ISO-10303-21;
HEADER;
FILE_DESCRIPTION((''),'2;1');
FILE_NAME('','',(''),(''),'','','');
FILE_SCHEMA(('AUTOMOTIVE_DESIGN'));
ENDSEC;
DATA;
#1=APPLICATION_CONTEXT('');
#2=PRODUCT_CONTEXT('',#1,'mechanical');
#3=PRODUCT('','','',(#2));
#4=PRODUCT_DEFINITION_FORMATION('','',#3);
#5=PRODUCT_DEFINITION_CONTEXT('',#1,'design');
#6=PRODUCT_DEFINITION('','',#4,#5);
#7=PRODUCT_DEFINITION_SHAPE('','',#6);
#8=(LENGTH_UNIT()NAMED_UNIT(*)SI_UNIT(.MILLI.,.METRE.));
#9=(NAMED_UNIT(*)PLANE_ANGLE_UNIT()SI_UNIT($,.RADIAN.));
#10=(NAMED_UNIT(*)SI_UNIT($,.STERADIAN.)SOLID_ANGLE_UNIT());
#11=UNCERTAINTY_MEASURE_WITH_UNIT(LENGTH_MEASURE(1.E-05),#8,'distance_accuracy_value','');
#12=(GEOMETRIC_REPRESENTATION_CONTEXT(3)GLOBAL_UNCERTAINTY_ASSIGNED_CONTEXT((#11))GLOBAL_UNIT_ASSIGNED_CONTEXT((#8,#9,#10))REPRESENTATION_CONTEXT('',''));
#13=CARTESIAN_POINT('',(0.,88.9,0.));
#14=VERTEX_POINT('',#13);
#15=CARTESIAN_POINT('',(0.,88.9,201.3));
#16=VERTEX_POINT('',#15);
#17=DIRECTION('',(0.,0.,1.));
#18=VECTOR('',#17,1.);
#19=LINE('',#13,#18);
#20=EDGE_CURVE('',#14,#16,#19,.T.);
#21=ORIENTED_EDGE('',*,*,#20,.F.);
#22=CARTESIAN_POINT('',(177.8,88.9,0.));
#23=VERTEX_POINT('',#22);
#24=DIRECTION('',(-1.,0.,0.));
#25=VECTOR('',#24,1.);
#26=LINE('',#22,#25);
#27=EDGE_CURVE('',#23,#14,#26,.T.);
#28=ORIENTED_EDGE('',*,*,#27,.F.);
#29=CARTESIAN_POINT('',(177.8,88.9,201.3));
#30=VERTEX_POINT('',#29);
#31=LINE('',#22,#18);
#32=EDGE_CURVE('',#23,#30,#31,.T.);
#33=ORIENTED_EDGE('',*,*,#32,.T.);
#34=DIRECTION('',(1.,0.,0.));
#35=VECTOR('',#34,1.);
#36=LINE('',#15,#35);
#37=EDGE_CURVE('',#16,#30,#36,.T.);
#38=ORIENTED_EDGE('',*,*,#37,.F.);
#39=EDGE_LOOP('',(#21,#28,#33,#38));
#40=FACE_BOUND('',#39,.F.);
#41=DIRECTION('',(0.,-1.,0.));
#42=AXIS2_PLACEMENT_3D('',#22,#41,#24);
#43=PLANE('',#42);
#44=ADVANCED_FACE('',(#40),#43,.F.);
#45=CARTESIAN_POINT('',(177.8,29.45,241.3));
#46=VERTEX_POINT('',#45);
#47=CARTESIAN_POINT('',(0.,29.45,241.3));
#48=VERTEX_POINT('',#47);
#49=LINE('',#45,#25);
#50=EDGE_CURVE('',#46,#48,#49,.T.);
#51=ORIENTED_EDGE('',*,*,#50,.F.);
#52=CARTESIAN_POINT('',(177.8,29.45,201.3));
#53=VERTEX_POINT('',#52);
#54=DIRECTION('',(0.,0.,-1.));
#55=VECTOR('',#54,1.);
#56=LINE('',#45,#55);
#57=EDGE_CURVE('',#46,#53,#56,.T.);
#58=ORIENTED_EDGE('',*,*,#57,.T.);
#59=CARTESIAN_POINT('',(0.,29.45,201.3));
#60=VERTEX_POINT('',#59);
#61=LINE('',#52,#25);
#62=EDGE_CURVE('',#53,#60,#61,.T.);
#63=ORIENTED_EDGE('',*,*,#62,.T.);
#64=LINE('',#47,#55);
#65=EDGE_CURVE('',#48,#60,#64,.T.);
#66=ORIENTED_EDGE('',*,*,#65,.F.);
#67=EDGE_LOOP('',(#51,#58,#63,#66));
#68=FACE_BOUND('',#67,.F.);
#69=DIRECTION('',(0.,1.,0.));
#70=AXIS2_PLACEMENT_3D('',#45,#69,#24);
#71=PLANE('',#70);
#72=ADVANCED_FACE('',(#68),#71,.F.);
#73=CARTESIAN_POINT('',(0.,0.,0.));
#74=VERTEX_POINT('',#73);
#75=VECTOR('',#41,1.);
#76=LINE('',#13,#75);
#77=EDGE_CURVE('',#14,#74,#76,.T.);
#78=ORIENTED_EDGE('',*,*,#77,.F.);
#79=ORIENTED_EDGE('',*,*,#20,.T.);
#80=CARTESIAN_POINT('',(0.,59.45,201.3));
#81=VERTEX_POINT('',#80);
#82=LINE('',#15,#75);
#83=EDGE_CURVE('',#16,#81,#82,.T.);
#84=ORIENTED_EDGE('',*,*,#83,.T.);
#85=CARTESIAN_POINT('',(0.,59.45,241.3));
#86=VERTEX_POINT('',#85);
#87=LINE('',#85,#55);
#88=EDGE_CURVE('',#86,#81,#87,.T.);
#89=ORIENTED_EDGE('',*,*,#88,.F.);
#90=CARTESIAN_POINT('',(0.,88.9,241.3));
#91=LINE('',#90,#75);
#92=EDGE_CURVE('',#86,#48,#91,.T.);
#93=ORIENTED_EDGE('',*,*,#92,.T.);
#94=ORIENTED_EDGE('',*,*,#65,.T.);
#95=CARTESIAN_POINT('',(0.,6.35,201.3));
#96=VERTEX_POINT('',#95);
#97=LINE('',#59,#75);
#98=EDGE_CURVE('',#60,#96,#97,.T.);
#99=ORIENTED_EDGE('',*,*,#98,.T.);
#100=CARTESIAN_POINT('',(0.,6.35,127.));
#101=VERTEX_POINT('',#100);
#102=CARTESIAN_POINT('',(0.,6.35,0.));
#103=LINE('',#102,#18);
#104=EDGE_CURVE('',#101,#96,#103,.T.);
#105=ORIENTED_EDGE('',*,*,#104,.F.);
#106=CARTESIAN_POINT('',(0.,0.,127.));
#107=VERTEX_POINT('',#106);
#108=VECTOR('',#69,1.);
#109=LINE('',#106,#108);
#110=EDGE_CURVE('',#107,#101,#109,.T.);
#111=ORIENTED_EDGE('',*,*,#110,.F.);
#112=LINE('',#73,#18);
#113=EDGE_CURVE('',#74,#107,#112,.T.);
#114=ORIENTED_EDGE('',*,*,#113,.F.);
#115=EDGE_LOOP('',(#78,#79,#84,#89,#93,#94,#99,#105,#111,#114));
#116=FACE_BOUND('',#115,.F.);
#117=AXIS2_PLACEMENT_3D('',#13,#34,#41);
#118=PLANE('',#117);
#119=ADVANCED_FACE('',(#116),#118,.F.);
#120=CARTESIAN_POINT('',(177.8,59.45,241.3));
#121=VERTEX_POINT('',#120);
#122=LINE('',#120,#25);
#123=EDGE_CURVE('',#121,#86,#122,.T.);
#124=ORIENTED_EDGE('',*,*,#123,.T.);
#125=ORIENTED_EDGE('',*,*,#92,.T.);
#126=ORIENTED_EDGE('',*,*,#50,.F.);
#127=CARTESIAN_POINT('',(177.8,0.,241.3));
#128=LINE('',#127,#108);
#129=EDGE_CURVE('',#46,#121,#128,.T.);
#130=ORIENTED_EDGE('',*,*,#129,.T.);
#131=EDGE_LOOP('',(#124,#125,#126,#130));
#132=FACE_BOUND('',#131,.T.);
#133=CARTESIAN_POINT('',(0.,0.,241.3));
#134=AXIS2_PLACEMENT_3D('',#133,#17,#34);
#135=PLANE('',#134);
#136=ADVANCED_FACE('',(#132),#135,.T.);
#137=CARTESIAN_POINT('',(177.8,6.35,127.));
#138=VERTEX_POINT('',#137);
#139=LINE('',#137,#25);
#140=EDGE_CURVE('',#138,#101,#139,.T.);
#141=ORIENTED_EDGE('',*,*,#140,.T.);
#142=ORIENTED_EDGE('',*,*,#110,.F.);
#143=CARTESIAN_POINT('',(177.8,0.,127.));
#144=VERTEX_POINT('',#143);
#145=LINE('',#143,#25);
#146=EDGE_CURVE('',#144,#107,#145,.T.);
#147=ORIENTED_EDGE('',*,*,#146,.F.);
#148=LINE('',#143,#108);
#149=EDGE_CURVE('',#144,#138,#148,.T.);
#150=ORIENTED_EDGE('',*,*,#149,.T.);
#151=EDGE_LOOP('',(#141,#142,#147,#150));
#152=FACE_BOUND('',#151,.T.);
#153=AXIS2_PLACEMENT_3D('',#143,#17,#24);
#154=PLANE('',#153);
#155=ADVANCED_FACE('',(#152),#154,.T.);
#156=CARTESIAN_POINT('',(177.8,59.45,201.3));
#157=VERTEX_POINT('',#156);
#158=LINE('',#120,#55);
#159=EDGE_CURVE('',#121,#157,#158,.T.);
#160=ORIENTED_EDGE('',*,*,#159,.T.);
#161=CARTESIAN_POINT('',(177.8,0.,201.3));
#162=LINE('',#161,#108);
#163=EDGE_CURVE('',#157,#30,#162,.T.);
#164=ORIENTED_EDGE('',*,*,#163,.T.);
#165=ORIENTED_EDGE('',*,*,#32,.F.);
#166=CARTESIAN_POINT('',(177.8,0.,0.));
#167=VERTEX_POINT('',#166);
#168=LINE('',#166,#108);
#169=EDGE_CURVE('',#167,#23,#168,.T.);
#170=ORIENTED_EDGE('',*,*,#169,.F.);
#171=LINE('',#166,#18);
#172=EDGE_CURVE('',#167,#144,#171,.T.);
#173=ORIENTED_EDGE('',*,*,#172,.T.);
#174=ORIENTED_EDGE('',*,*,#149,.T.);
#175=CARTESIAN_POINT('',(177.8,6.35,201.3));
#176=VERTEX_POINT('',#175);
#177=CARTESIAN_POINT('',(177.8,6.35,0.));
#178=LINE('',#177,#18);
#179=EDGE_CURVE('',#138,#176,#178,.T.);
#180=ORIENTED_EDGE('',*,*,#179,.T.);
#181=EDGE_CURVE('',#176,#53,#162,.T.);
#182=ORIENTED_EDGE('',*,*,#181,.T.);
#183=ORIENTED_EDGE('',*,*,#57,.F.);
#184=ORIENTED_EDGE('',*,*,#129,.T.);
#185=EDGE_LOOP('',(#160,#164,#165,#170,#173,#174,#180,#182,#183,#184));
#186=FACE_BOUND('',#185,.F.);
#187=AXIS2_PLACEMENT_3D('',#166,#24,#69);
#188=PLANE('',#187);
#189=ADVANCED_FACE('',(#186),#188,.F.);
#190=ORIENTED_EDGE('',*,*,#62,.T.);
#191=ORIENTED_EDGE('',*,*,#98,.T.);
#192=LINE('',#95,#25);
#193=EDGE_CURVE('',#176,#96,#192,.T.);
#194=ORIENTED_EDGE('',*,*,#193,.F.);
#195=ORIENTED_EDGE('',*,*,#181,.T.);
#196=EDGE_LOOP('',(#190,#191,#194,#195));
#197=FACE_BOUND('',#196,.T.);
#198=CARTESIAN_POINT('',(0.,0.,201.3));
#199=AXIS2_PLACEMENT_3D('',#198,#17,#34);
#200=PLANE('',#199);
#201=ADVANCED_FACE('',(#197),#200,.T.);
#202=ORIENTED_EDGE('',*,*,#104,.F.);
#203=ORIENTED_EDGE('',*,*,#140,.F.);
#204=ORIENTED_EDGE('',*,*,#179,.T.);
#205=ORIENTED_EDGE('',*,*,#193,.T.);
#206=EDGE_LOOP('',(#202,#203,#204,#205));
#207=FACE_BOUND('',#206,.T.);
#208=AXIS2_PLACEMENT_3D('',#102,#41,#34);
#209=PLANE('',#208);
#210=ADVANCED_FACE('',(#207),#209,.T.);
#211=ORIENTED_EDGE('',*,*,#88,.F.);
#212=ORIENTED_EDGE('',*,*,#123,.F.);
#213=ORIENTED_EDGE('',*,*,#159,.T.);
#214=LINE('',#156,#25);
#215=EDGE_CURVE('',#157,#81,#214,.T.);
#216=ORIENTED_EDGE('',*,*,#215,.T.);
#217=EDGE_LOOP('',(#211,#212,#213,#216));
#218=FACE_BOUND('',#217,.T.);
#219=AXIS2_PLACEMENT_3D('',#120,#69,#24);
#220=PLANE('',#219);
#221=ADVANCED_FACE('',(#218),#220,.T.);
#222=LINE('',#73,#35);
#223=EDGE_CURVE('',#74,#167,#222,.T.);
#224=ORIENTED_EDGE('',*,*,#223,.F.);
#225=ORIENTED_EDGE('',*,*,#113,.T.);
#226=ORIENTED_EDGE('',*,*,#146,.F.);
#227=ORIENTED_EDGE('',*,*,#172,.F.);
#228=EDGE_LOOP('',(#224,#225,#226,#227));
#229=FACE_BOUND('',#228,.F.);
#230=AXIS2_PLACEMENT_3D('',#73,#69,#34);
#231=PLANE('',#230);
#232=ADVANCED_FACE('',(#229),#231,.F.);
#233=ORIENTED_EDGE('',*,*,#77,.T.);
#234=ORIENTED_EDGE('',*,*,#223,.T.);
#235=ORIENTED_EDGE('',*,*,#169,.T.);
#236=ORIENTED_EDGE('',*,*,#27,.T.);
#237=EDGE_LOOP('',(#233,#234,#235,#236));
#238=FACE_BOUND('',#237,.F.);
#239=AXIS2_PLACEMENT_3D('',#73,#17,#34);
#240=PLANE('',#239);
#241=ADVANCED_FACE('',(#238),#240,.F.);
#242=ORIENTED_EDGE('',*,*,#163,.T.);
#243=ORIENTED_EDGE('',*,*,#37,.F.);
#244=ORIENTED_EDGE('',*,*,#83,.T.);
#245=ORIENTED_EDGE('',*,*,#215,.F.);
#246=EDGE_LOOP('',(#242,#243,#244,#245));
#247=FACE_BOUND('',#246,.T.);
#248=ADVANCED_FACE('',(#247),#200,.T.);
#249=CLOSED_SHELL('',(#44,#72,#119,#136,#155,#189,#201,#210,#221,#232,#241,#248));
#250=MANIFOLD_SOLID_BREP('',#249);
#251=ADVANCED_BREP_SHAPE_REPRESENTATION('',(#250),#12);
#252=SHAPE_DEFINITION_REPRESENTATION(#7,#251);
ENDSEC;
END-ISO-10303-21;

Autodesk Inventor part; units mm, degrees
ref_plane "YZ Plane" through (0, 0, 0) normal (1, 0, 0) x (0, 1, 0)
ref_plane "XZ Plane" through (0, 0, 0) normal (0, 1, 0) x (-1, 0, 0)
ref_plane "XY Plane" through (0, 0, 0) normal (0, 0, 1) x (1, 0, 0)
sketch "Sketch1" plane through (0, 0, 0) normal (0, 0, 1) x (1, 0, 0)
  line L0 (0, 0) -> (177.8, 0)
  line L1 (177.8, 0) -> (177.8, 88.9)
  line L2 (177.8, 88.9) -> (0, 88.9)
  line L3 (0, 88.9) -> (0, 0)
  dimension "d0" = 88.9
  dimension "d1" = 177.8
extrude "Extrusion1" add sketch "Sketch1" along normal blind 241.3
sketch "Sketch2" plane through (0, 0, 0) normal (0, -1, 0) x (1, 0, 0)
  line L0 (0, 0) -> (0, 241.3) projected
  line L1 (177.8, 0) -> (177.8, 241.3) projected
  line L2 (0, 203.2) -> (177.8, 203.2)
  line L3 (177.8, 203.2) -> (177.8, 127)
  line L4 (177.8, 127) -> (0, 127)
  line L5 (0, 127) -> (0, 203.2)
  line L6 (0, 0) -> (177.8, 0) projected
  dimension "d4" = 203.2
  dimension "d5" = 127
extrude "Extrusion2" cut sketch "Sketch2" against normal blind 6.35 contours L0 L2 L1 L4
sketch "Sketch3" plane through (0, 0, 241.3) normal (0, 0, 1) x (1, 0, 0)
  line L0 (177.8, 0) -> (177.8, 88.9) projected
  line L1 (0, 0) -> (177.8, 0)
  line L2 (177.8, 0) -> (177.8, 29.45)
  line L3 (177.8, 29.45) -> (0, 29.45)
  line L4 (0, 29.45) -> (0, 0)
  line L5 (0, 88.9) -> (0, 0) projected
  line L6 (0, 88.9) -> (177.8, 88.9)
  line L7 (177.8, 88.9) -> (177.8, 59.45)
  line L8 (177.8, 59.45) -> (0, 59.45)
  line L9 (0, 59.45) -> (0, 88.9)
  line L10 (88.9, 29.45) -> (88.9, 59.45) construction
  point P0 (0, 44.45)
  point P1 (88.9, 44.45)
  dimension "d8" = 30
extrude "Extrusion3" cut sketch "Sketch3" against normal blind 40 contours L1 L4 L3 L0 | L8 L5 L6 L0
properties part number "Battery_278Wh" material "ABS Plastic"
